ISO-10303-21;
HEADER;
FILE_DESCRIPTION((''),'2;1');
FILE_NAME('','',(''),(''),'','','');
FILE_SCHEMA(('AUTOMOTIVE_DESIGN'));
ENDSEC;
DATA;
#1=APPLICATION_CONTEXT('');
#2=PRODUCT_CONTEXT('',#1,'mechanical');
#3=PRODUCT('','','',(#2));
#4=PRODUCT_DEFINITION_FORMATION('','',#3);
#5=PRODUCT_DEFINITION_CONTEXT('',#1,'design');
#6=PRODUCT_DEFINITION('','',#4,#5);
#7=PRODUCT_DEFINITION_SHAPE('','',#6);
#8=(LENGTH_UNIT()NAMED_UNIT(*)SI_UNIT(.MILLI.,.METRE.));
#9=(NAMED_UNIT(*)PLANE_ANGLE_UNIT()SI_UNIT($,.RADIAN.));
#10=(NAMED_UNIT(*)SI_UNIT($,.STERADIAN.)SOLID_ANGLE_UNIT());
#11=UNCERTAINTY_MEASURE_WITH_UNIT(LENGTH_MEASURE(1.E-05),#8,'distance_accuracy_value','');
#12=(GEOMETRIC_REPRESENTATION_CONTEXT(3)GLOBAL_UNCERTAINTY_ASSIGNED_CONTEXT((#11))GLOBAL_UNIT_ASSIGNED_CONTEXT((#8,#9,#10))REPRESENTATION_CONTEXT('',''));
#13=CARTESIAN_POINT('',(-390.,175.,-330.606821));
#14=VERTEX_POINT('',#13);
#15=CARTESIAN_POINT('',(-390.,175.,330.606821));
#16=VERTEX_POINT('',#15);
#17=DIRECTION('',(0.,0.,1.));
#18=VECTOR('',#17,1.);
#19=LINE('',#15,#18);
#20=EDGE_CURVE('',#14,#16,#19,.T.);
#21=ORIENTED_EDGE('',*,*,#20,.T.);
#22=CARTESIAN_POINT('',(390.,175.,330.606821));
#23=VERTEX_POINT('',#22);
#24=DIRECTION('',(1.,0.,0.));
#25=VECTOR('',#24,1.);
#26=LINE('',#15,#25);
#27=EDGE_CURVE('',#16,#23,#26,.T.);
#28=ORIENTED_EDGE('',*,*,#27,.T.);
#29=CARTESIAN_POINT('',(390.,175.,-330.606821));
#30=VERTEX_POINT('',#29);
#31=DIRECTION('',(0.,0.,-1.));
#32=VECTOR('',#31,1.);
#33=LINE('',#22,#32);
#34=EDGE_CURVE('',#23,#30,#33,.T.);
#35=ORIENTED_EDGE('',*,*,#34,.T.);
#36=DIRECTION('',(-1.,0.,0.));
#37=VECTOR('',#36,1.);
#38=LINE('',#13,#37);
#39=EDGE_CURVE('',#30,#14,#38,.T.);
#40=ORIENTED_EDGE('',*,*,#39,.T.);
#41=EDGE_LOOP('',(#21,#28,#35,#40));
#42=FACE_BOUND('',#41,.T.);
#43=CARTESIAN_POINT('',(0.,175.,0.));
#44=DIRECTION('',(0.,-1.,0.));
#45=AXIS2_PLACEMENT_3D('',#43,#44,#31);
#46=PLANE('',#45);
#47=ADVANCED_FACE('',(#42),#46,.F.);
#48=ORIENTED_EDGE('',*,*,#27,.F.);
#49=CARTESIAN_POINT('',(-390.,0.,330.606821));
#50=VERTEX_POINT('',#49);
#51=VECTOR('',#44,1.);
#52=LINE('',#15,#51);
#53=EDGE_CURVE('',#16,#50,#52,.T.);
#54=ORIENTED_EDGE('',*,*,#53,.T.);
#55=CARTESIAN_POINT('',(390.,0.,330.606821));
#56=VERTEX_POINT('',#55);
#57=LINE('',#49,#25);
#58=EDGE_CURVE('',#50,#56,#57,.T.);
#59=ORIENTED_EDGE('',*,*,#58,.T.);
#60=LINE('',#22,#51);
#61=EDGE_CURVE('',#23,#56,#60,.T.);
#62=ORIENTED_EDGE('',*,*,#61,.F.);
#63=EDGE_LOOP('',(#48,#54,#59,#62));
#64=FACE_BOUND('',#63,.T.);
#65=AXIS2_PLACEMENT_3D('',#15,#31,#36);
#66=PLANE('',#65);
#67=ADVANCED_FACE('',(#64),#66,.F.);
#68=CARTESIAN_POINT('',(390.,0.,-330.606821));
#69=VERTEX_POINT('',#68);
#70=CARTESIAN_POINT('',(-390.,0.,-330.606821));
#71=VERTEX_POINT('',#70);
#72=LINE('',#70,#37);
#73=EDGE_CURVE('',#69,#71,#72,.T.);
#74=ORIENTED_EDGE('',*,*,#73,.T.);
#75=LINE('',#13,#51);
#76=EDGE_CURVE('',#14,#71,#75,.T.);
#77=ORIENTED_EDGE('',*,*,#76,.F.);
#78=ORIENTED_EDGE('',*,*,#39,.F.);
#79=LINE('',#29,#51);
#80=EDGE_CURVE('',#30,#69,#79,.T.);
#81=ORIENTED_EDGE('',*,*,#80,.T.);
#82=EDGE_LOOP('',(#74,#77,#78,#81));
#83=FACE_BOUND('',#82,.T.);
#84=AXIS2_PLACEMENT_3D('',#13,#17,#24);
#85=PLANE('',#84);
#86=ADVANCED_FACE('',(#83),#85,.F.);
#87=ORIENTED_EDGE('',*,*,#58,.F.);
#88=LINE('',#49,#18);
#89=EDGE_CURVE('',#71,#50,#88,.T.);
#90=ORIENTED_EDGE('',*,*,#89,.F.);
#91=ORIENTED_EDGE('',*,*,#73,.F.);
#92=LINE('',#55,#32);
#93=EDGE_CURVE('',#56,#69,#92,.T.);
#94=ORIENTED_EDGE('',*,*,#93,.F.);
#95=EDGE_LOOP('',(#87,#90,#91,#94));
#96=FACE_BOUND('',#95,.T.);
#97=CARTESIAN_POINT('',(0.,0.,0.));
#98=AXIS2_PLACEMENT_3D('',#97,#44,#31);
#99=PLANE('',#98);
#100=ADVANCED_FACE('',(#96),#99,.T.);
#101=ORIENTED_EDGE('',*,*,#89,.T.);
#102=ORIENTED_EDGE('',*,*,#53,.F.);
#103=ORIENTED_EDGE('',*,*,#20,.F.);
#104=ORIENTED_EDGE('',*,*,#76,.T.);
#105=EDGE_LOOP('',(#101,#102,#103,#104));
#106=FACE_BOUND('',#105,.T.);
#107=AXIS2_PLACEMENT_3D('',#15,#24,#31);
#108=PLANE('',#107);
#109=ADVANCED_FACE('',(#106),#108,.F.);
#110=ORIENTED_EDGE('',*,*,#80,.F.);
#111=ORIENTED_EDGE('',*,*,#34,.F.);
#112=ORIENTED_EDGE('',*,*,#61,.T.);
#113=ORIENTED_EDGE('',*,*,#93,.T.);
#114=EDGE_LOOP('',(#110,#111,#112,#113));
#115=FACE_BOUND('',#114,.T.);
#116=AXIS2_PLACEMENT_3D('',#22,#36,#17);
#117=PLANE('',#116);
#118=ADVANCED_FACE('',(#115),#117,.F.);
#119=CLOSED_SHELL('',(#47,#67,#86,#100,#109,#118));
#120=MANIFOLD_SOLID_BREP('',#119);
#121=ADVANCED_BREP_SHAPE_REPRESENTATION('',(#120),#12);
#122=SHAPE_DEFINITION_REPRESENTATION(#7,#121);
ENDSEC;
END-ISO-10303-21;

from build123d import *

# Parameters (mm, degrees)
SKETCH1_W           = 780
SKETCH1_H           = 661.213641652
BOSS_EXTRUDE1_DEPTH = 175


with BuildPart() as part:
    # Sketch1 → Boss-Extrude1 (new body)
    with BuildSketch(Plane(origin=(0, 0, 0), x_dir=(1, 0, 0), z_dir=(0, 1, 0))):
        Rectangle(SKETCH1_W, SKETCH1_H)
    extrude(amount=BOSS_EXTRUDE1_DEPTH)


solid = part.part
